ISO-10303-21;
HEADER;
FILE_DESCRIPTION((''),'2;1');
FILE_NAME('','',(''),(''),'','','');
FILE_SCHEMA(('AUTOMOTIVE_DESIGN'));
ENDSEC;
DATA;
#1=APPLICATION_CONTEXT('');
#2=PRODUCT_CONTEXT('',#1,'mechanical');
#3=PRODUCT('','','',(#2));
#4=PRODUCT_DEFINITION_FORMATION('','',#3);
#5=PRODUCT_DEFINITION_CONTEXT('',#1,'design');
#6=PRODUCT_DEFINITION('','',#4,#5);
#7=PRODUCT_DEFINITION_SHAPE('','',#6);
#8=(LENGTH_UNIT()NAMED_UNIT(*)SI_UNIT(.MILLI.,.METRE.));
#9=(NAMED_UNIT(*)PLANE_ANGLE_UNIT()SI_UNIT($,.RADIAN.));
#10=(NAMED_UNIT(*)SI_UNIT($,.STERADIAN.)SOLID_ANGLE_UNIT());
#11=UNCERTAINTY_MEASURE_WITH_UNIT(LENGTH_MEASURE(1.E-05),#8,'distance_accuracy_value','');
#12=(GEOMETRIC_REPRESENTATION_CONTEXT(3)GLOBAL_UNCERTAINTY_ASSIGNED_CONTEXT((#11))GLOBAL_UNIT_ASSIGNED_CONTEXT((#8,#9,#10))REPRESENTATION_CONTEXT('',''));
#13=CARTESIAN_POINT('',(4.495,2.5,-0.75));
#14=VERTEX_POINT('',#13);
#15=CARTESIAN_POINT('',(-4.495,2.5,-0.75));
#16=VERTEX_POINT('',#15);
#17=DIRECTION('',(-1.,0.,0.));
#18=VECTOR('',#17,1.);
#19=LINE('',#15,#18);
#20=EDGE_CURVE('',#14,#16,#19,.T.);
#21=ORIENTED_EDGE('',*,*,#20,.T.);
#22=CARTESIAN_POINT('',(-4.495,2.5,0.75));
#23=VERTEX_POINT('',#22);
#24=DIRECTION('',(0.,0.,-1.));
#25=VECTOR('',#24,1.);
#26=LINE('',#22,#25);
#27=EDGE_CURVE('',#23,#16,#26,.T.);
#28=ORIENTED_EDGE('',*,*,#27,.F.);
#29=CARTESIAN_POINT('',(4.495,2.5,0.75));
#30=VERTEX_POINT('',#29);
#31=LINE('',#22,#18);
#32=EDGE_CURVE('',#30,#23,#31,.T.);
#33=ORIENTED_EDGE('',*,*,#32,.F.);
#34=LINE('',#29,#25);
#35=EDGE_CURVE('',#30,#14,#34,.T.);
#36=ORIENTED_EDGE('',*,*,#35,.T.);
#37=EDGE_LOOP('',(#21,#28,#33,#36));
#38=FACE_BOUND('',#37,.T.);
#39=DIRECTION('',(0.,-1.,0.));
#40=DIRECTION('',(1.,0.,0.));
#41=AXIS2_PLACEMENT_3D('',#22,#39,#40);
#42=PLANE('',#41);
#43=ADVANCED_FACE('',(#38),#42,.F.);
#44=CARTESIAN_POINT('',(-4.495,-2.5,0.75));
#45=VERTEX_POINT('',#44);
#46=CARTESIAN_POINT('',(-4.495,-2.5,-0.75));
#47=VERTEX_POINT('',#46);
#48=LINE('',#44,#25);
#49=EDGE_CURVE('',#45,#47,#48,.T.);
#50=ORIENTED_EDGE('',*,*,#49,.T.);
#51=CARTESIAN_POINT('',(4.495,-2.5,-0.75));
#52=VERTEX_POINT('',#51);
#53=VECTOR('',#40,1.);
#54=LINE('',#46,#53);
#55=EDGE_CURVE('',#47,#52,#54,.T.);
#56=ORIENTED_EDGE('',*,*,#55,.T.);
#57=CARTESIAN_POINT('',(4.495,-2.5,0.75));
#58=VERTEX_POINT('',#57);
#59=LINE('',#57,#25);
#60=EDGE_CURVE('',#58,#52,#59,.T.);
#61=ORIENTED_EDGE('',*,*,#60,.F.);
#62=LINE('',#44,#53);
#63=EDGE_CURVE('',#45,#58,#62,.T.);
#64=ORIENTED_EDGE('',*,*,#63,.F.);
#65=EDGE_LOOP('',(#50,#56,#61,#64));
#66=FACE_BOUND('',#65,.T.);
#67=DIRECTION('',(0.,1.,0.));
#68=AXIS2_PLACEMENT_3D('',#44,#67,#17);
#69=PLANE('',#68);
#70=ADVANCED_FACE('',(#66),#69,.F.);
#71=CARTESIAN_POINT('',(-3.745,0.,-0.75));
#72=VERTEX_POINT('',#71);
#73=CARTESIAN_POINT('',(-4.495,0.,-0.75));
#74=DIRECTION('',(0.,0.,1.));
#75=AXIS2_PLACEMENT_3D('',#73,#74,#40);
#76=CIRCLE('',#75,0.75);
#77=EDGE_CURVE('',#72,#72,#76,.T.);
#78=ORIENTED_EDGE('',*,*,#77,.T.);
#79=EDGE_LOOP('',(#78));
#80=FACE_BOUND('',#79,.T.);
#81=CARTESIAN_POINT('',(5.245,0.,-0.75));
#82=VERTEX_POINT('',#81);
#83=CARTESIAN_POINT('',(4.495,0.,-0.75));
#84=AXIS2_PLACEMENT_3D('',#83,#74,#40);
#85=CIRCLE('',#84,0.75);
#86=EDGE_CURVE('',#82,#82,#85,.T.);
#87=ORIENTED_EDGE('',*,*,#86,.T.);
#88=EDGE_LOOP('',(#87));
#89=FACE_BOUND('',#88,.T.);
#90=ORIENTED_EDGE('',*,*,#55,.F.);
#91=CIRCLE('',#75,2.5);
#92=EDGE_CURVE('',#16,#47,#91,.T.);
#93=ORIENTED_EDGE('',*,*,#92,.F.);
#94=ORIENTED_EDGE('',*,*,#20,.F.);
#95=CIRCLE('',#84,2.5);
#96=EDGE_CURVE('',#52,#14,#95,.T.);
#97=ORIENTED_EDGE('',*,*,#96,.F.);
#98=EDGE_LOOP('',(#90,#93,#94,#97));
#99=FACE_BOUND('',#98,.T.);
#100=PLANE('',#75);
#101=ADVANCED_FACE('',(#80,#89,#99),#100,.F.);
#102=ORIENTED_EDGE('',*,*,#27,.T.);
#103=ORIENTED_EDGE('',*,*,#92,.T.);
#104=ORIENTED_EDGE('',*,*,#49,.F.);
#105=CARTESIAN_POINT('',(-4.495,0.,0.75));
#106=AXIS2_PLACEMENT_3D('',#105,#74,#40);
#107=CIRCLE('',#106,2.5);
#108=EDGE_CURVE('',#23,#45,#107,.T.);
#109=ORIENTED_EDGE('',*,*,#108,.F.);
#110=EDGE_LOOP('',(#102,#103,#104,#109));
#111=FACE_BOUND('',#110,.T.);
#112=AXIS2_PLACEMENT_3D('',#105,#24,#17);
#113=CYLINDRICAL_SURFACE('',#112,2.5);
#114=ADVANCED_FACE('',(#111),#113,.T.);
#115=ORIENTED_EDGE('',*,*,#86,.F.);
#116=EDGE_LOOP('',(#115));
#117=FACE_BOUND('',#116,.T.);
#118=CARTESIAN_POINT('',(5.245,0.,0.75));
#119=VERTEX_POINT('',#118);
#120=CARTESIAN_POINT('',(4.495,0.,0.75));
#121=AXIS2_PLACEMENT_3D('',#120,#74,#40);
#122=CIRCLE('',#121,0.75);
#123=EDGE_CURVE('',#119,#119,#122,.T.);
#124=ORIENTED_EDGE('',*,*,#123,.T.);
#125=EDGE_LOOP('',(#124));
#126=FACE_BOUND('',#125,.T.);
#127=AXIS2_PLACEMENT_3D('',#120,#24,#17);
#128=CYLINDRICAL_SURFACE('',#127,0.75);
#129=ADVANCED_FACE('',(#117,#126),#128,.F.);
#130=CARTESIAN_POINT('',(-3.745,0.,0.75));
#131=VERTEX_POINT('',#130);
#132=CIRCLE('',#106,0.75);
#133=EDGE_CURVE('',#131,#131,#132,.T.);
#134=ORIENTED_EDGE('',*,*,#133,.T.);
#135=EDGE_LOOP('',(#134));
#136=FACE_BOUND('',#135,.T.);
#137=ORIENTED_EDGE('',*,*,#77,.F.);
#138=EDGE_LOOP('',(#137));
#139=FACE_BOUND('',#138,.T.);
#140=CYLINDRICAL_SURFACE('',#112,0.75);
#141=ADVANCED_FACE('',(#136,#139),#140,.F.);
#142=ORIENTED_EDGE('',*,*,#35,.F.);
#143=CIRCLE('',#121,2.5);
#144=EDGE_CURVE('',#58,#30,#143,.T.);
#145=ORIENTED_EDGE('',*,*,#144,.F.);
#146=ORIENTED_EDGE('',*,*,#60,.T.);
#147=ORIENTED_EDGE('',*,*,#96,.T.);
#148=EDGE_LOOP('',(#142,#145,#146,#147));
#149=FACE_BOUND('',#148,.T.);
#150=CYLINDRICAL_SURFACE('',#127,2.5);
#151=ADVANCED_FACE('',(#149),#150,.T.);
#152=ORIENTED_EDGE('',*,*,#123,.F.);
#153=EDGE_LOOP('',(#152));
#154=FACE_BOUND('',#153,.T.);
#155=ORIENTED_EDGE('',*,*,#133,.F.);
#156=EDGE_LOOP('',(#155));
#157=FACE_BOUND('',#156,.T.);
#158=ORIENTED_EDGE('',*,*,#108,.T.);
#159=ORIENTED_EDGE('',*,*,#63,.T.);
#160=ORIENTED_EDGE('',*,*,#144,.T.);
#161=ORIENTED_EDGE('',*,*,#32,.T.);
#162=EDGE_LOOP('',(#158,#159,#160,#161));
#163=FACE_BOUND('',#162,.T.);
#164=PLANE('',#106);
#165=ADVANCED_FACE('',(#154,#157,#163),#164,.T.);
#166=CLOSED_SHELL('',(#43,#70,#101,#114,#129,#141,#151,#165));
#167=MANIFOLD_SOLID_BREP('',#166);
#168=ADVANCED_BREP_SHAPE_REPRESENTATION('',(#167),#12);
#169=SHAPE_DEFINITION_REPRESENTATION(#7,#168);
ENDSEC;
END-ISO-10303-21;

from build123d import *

# Parameters (mm, degrees)
SKETCH_1_R      = 0.75
EXTRUDE_1_DEPTH = 0.75


with BuildPart() as part:
    # 草圖1 → 填料-伸長1 (new body, symmetric)
    with BuildSketch(Plane.XY):
        with BuildLine():
            Line((-4.495, 2.5), (4.495, 2.5))
            ThreePointArc((4.495, 2.5), (6.995, 0), (4.495, -2.5))
            Line((4.495, -2.5), (-4.495, -2.5))
            ThreePointArc((-4.495, -2.5), (-6.995, 0), (-4.495, 2.5))
        make_face()
        with Locations((4.495, 0)):
            Circle(SKETCH_1_R, mode=Mode.SUBTRACT)
        with Locations((-4.495, 0)):
            Circle(SKETCH_1_R, mode=Mode.SUBTRACT)
    extrude(amount=EXTRUDE_1_DEPTH, both=True)


solid = part.part
